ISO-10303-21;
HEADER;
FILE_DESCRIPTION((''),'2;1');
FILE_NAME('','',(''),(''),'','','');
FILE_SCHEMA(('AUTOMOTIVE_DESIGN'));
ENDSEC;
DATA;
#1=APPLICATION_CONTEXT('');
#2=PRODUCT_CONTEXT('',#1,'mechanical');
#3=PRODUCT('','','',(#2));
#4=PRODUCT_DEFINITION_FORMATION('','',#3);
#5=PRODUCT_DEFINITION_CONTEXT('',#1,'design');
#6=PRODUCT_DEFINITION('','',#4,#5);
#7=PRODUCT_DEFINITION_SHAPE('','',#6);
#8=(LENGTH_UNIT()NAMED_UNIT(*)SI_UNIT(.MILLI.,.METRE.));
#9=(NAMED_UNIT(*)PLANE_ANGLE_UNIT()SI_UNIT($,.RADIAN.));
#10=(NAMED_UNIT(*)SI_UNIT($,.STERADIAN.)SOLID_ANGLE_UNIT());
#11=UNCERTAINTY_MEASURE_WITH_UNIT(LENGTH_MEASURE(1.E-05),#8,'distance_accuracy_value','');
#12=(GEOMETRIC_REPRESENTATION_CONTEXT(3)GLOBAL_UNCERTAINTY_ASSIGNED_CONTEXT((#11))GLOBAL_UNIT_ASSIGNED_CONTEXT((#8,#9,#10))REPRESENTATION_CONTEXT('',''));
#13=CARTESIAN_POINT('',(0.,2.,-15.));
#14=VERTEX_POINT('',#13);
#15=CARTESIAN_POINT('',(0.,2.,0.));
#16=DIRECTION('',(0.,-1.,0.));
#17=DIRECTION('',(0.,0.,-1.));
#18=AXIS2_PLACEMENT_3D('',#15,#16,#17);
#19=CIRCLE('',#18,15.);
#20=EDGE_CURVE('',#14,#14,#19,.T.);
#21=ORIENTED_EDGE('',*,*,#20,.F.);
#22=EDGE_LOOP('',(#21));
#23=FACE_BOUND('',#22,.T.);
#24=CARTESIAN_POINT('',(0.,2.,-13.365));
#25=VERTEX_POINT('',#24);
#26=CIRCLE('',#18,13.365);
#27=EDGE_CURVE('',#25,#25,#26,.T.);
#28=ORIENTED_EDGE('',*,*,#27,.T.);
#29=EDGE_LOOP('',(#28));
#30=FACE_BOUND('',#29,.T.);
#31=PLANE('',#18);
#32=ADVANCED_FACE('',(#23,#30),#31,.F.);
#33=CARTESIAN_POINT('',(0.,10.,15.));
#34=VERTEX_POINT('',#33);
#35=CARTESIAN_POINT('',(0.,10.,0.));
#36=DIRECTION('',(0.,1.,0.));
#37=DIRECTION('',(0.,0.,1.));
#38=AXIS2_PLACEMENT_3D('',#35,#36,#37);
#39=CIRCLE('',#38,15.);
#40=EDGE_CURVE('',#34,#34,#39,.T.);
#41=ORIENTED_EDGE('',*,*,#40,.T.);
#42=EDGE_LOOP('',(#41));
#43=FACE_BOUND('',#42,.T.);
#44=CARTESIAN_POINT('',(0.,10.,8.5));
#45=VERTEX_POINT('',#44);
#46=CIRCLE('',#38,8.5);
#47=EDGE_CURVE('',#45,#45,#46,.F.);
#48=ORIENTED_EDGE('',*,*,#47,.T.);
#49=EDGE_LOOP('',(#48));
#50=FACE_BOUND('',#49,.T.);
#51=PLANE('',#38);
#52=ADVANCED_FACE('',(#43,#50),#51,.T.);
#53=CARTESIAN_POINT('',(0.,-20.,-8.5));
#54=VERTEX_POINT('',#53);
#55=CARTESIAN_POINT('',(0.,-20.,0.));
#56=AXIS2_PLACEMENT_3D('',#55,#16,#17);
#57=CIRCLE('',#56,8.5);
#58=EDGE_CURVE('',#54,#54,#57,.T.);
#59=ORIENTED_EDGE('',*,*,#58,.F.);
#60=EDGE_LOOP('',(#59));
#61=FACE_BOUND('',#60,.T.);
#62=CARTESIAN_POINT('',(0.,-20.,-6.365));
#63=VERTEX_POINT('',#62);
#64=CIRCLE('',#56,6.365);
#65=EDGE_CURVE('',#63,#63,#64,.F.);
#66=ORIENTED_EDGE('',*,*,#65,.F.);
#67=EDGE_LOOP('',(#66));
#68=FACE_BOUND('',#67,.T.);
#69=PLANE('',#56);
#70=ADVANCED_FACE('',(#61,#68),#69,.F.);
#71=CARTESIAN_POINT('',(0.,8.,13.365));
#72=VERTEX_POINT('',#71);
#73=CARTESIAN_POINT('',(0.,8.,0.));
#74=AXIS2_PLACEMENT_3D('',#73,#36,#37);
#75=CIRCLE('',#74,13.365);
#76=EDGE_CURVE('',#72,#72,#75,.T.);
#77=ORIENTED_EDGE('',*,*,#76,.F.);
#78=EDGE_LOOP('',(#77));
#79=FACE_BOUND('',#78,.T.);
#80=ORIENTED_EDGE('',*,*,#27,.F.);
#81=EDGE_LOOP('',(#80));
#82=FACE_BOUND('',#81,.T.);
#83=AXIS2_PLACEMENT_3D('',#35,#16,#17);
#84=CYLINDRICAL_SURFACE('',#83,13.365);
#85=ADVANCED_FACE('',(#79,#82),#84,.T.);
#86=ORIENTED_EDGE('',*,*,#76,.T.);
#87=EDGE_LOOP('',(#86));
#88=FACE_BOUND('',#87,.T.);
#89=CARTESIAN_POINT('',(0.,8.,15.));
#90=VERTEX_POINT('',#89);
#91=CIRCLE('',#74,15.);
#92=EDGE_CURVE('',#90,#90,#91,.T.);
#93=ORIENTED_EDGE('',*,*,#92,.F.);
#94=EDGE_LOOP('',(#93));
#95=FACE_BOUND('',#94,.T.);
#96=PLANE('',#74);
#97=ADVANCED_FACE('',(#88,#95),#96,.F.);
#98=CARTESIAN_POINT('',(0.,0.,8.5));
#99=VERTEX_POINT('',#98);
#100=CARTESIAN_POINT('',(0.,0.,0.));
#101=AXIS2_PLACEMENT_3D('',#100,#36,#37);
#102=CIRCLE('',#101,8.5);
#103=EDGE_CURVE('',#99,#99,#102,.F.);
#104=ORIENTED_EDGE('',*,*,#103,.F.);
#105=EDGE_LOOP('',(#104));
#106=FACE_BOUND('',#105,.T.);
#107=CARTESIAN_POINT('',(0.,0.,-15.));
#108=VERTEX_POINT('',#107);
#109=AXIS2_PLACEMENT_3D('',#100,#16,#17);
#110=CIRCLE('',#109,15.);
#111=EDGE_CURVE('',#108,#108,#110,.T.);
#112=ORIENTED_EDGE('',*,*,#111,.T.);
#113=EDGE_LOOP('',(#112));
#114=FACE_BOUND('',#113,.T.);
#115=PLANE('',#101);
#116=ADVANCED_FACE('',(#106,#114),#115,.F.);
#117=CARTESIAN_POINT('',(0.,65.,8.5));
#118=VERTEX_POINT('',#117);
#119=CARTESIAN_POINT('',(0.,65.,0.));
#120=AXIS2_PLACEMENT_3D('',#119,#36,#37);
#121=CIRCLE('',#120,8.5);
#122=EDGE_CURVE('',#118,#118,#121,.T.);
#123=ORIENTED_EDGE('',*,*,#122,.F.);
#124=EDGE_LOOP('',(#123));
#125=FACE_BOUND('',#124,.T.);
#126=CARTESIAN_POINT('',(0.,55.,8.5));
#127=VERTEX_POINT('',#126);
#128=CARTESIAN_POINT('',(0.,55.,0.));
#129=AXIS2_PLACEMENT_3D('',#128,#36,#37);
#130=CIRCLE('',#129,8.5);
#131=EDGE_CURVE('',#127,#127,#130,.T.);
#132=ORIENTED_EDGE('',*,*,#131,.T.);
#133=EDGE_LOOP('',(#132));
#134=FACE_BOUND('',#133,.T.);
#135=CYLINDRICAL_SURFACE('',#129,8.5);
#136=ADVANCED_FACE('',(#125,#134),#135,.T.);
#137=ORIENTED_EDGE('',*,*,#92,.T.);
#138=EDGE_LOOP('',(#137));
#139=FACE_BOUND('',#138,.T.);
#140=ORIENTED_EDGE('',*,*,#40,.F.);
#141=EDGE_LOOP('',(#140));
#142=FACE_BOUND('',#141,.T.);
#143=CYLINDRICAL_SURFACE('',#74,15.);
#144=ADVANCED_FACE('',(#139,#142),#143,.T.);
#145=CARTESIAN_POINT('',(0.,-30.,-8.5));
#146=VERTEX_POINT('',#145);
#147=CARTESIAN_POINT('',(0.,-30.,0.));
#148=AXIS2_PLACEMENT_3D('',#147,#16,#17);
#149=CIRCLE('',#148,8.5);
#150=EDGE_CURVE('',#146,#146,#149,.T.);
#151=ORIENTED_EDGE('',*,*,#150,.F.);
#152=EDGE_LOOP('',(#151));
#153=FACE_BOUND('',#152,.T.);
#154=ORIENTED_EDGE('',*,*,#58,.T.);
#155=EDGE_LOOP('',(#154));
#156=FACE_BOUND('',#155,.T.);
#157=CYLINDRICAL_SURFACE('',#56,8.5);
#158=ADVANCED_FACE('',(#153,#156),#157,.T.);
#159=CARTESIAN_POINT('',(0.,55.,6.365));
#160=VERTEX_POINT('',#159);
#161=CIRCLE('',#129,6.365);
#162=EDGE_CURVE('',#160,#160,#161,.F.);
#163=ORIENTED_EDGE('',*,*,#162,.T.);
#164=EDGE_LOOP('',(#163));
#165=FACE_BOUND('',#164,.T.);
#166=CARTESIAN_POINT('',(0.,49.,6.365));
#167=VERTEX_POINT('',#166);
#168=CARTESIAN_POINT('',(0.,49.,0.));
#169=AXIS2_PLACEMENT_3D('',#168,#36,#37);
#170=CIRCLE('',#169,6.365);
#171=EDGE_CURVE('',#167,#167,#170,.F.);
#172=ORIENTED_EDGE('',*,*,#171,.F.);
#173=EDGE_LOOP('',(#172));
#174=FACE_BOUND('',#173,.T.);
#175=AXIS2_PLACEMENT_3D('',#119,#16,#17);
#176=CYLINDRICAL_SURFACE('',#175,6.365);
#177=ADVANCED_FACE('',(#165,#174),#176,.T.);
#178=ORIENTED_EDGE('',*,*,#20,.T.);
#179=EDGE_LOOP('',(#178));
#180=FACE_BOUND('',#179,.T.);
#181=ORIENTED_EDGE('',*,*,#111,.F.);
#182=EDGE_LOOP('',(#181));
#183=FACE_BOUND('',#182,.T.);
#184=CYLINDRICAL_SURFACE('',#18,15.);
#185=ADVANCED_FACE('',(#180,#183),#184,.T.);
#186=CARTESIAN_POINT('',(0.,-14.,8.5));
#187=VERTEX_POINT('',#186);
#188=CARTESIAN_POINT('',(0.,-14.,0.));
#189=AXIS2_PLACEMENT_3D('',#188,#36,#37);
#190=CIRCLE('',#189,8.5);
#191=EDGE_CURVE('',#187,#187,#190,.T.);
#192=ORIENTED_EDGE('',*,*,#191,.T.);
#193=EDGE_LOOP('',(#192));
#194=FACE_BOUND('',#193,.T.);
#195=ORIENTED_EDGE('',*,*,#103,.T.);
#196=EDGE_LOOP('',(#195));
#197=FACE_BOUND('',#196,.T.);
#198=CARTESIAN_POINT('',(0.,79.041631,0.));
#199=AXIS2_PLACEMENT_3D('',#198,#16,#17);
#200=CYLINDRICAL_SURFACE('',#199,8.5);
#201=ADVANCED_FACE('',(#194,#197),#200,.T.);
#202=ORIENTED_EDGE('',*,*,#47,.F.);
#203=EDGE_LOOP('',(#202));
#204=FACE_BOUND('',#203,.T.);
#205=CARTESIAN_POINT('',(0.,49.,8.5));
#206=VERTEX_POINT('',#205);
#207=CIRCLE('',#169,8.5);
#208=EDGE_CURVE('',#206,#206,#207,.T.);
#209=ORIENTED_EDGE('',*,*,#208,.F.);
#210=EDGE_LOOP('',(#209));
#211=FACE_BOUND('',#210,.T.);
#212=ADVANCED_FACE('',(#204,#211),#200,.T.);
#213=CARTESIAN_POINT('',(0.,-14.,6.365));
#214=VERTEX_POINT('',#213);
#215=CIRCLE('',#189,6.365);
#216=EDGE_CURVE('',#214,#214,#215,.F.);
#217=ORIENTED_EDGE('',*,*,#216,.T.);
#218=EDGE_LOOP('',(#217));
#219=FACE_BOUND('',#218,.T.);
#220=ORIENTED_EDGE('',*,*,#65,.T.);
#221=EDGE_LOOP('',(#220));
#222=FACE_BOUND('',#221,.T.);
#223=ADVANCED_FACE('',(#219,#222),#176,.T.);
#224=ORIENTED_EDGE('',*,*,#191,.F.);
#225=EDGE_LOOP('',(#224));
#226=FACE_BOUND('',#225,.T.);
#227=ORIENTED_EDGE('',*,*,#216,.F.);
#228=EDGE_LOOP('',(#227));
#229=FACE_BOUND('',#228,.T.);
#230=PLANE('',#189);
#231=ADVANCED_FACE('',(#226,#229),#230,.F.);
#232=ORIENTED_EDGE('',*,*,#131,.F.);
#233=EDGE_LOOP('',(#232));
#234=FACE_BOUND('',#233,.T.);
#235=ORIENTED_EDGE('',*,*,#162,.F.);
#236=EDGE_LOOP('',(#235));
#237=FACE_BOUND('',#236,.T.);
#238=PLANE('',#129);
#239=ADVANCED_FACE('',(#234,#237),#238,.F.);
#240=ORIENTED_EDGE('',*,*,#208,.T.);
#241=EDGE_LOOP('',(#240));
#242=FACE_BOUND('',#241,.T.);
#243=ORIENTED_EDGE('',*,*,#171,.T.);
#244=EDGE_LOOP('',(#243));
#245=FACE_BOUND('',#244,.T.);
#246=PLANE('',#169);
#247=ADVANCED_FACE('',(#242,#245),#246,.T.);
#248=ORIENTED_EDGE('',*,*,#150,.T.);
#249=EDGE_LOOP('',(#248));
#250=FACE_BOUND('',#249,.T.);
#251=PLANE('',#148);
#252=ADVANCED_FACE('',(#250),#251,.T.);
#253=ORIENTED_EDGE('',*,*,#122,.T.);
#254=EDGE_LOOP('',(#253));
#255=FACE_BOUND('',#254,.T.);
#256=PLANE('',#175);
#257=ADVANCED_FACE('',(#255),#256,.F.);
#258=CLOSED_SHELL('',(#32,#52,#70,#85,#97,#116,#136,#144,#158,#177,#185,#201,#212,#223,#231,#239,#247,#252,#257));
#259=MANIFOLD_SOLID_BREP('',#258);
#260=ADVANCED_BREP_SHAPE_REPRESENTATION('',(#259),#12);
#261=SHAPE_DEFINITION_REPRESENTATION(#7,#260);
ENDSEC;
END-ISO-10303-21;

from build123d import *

# Parameters (mm, degrees)
SKETCH1_R                = 13.365
BOSS_EXTRUDE1_DEPTH      = 10
SKETCH2_R                = 15
BOSS_EXTRUDE2_DEPTH      = 2
BOSS_EXTRUDE3_START      = -2
SKETCH3_R                = 15
BOSS_EXTRUDE3_DEPTH      = 2
BOSS_EXTRUDE4_DEPTH      = 30
BOSS_EXTRUDE4_DEPTH_BACK = 65
SKETCH4_R                = 6.365
SKETCH5_R                = 8.5
BOSS_EXTRUDE5_DEPTH      = 10
BOSS_EXTRUDE6_START      = -10
SKETCH6_R                = 8.5
BOSS_EXTRUDE6_DEPTH      = 10
SKETCH7_R                = 8.5
BOSS_EXTRUDE7_DEPTH      = 63


with BuildPart() as part:
    # Sketch1 → Boss-Extrude1 (new body)
    with BuildSketch(Plane(origin=(0, 0, 0), x_dir=(1, 0, 0), z_dir=(0, 1, 0))):
        with Locations(Location((0, 0, 0), (0, 0, 270))):
            Circle(SKETCH1_R)
    extrude(amount=BOSS_EXTRUDE1_DEPTH)

    # Sketch2 → Boss-Extrude2 (add)
    with BuildSketch(Plane(origin=(0, 10, 0), x_dir=(1, 0, 0), z_dir=(0, 1, 0))):
        with Locations(Location((0, 0, 0), (0, 0, 270))):
            Circle(SKETCH2_R)
    extrude(amount=-BOSS_EXTRUDE2_DEPTH)

    # Sketch3 → Boss-Extrude3 (add)
    with BuildSketch(Plane.XZ.offset(BOSS_EXTRUDE3_START)):
        with Locations(Location((0, 0, 0), (0, 0, 90))):
            Circle(SKETCH3_R)
    extrude(amount=BOSS_EXTRUDE3_DEPTH)

    # Sketch4 → Boss-Extrude4 (add, two sides: drawn at the far end of the back side and taken through both)
    with BuildSketch(Plane.XZ.offset(-BOSS_EXTRUDE4_DEPTH_BACK)):
        with Locations(Location((0, 0, 0), (0, 0, 270))):
            Circle(SKETCH4_R)
    extrude(amount=BOSS_EXTRUDE4_DEPTH + BOSS_EXTRUDE4_DEPTH_BACK)

    # Sketch5 → Boss-Extrude5 (add)
    with BuildSketch(Plane.XZ.offset(30)):
        with Locations(Location((0, 0, 0), (0, 0, 270))):
            Circle(SKETCH5_R)
    extrude(amount=-BOSS_EXTRUDE5_DEPTH)

    # Sketch6 → Boss-Extrude6 (add)
    with BuildSketch(Plane(origin=(0, 65, 0), x_dir=(1, 0, 0), z_dir=(0, 1, 0)).offset(BOSS_EXTRUDE6_START)):
        with Locations(Location((0, 0, 0), (0, 0, 90))):
            Circle(SKETCH6_R)
    extrude(amount=BOSS_EXTRUDE6_DEPTH)

    # Sketch7 → Boss-Extrude7 (add)
    with BuildSketch(Plane(origin=(0, -14, 0), x_dir=(1, 0, 0), z_dir=(0, 1, 0))):
        with Locations(Location((0, 0, 0), (0, 0, 270))):
            Circle(SKETCH7_R)
    extrude(amount=BOSS_EXTRUDE7_DEPTH)


solid = part.part
